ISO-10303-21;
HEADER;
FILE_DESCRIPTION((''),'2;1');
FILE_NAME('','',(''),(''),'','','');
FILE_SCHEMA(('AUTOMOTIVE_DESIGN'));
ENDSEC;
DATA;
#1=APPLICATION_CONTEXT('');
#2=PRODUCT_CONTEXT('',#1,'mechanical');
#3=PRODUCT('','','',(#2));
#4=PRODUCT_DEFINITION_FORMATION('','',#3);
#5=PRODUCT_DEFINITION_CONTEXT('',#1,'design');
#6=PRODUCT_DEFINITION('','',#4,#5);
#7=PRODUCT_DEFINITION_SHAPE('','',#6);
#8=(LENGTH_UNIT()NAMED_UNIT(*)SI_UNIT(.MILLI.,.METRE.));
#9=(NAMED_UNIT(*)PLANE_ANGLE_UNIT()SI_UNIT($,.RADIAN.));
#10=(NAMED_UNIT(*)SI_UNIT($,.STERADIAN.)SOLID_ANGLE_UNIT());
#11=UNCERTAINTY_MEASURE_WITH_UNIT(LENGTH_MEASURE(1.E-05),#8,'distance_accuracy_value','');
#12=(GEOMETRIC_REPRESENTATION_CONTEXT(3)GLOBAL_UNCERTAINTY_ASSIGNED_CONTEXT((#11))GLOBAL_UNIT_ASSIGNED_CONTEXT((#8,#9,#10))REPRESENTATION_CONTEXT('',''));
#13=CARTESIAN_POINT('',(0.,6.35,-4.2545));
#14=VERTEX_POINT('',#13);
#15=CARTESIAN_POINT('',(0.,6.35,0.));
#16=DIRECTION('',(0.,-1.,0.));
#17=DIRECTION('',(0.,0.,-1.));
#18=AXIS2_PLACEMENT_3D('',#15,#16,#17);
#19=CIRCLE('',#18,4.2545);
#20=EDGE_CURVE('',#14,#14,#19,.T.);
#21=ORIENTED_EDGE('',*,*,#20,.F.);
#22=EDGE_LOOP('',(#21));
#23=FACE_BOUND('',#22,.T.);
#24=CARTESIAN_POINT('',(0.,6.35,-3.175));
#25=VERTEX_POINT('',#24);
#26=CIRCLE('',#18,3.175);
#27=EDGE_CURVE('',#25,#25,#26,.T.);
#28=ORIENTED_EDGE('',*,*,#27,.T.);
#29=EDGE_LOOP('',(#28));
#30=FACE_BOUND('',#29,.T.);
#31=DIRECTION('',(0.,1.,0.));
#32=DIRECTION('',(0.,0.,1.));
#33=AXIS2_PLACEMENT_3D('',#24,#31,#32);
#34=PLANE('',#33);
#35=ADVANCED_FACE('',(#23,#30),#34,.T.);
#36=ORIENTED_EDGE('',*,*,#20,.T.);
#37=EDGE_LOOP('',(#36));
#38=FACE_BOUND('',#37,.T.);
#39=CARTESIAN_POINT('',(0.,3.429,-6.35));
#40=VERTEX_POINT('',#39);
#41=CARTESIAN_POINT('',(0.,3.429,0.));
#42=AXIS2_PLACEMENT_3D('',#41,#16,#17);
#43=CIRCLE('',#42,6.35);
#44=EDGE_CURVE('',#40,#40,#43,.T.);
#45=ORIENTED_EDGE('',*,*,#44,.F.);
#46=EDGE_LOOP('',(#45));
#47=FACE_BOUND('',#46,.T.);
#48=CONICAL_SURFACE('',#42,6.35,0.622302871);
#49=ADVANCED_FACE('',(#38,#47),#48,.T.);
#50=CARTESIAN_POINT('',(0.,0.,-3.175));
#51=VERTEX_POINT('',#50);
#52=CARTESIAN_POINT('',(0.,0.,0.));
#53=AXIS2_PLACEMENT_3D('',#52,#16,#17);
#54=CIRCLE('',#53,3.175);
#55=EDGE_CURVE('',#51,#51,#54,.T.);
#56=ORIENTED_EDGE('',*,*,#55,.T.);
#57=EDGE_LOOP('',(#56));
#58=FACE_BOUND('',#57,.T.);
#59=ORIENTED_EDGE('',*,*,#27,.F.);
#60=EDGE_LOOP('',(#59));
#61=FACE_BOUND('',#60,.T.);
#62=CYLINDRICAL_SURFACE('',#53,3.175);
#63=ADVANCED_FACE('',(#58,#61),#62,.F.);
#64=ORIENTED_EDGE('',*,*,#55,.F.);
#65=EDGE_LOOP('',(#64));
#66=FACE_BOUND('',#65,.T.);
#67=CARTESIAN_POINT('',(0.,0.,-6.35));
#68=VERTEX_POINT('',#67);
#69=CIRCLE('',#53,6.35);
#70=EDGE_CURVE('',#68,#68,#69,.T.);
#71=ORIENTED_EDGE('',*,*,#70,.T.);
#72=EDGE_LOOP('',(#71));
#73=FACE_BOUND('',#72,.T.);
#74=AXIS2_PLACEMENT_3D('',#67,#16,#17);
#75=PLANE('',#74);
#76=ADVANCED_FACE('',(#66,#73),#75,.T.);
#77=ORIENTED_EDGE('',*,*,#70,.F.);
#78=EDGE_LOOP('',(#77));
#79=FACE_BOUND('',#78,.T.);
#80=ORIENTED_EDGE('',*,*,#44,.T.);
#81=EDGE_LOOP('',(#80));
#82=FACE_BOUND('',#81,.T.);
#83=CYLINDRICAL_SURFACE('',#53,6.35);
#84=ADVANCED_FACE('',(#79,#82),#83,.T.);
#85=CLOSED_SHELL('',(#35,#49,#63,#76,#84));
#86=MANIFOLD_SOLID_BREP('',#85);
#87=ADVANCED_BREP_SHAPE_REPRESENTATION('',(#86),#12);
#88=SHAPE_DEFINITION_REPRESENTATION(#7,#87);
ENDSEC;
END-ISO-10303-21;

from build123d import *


with BuildPart() as part:
    # Sketch2 → Revolve1 (revolve)
    with BuildSketch(Plane(origin=(0, 0, 0), x_dir=(0, 0, -1), z_dir=(1, 0, 0))):
        Polygon((3.175, 0), (3.175, 6.35), (4.2545, 6.35), (6.35, 3.429), (6.35, 0), align=None)
    revolve(axis=Axis((0, 0, 0), (0, 1, 0)))


solid = part.part
